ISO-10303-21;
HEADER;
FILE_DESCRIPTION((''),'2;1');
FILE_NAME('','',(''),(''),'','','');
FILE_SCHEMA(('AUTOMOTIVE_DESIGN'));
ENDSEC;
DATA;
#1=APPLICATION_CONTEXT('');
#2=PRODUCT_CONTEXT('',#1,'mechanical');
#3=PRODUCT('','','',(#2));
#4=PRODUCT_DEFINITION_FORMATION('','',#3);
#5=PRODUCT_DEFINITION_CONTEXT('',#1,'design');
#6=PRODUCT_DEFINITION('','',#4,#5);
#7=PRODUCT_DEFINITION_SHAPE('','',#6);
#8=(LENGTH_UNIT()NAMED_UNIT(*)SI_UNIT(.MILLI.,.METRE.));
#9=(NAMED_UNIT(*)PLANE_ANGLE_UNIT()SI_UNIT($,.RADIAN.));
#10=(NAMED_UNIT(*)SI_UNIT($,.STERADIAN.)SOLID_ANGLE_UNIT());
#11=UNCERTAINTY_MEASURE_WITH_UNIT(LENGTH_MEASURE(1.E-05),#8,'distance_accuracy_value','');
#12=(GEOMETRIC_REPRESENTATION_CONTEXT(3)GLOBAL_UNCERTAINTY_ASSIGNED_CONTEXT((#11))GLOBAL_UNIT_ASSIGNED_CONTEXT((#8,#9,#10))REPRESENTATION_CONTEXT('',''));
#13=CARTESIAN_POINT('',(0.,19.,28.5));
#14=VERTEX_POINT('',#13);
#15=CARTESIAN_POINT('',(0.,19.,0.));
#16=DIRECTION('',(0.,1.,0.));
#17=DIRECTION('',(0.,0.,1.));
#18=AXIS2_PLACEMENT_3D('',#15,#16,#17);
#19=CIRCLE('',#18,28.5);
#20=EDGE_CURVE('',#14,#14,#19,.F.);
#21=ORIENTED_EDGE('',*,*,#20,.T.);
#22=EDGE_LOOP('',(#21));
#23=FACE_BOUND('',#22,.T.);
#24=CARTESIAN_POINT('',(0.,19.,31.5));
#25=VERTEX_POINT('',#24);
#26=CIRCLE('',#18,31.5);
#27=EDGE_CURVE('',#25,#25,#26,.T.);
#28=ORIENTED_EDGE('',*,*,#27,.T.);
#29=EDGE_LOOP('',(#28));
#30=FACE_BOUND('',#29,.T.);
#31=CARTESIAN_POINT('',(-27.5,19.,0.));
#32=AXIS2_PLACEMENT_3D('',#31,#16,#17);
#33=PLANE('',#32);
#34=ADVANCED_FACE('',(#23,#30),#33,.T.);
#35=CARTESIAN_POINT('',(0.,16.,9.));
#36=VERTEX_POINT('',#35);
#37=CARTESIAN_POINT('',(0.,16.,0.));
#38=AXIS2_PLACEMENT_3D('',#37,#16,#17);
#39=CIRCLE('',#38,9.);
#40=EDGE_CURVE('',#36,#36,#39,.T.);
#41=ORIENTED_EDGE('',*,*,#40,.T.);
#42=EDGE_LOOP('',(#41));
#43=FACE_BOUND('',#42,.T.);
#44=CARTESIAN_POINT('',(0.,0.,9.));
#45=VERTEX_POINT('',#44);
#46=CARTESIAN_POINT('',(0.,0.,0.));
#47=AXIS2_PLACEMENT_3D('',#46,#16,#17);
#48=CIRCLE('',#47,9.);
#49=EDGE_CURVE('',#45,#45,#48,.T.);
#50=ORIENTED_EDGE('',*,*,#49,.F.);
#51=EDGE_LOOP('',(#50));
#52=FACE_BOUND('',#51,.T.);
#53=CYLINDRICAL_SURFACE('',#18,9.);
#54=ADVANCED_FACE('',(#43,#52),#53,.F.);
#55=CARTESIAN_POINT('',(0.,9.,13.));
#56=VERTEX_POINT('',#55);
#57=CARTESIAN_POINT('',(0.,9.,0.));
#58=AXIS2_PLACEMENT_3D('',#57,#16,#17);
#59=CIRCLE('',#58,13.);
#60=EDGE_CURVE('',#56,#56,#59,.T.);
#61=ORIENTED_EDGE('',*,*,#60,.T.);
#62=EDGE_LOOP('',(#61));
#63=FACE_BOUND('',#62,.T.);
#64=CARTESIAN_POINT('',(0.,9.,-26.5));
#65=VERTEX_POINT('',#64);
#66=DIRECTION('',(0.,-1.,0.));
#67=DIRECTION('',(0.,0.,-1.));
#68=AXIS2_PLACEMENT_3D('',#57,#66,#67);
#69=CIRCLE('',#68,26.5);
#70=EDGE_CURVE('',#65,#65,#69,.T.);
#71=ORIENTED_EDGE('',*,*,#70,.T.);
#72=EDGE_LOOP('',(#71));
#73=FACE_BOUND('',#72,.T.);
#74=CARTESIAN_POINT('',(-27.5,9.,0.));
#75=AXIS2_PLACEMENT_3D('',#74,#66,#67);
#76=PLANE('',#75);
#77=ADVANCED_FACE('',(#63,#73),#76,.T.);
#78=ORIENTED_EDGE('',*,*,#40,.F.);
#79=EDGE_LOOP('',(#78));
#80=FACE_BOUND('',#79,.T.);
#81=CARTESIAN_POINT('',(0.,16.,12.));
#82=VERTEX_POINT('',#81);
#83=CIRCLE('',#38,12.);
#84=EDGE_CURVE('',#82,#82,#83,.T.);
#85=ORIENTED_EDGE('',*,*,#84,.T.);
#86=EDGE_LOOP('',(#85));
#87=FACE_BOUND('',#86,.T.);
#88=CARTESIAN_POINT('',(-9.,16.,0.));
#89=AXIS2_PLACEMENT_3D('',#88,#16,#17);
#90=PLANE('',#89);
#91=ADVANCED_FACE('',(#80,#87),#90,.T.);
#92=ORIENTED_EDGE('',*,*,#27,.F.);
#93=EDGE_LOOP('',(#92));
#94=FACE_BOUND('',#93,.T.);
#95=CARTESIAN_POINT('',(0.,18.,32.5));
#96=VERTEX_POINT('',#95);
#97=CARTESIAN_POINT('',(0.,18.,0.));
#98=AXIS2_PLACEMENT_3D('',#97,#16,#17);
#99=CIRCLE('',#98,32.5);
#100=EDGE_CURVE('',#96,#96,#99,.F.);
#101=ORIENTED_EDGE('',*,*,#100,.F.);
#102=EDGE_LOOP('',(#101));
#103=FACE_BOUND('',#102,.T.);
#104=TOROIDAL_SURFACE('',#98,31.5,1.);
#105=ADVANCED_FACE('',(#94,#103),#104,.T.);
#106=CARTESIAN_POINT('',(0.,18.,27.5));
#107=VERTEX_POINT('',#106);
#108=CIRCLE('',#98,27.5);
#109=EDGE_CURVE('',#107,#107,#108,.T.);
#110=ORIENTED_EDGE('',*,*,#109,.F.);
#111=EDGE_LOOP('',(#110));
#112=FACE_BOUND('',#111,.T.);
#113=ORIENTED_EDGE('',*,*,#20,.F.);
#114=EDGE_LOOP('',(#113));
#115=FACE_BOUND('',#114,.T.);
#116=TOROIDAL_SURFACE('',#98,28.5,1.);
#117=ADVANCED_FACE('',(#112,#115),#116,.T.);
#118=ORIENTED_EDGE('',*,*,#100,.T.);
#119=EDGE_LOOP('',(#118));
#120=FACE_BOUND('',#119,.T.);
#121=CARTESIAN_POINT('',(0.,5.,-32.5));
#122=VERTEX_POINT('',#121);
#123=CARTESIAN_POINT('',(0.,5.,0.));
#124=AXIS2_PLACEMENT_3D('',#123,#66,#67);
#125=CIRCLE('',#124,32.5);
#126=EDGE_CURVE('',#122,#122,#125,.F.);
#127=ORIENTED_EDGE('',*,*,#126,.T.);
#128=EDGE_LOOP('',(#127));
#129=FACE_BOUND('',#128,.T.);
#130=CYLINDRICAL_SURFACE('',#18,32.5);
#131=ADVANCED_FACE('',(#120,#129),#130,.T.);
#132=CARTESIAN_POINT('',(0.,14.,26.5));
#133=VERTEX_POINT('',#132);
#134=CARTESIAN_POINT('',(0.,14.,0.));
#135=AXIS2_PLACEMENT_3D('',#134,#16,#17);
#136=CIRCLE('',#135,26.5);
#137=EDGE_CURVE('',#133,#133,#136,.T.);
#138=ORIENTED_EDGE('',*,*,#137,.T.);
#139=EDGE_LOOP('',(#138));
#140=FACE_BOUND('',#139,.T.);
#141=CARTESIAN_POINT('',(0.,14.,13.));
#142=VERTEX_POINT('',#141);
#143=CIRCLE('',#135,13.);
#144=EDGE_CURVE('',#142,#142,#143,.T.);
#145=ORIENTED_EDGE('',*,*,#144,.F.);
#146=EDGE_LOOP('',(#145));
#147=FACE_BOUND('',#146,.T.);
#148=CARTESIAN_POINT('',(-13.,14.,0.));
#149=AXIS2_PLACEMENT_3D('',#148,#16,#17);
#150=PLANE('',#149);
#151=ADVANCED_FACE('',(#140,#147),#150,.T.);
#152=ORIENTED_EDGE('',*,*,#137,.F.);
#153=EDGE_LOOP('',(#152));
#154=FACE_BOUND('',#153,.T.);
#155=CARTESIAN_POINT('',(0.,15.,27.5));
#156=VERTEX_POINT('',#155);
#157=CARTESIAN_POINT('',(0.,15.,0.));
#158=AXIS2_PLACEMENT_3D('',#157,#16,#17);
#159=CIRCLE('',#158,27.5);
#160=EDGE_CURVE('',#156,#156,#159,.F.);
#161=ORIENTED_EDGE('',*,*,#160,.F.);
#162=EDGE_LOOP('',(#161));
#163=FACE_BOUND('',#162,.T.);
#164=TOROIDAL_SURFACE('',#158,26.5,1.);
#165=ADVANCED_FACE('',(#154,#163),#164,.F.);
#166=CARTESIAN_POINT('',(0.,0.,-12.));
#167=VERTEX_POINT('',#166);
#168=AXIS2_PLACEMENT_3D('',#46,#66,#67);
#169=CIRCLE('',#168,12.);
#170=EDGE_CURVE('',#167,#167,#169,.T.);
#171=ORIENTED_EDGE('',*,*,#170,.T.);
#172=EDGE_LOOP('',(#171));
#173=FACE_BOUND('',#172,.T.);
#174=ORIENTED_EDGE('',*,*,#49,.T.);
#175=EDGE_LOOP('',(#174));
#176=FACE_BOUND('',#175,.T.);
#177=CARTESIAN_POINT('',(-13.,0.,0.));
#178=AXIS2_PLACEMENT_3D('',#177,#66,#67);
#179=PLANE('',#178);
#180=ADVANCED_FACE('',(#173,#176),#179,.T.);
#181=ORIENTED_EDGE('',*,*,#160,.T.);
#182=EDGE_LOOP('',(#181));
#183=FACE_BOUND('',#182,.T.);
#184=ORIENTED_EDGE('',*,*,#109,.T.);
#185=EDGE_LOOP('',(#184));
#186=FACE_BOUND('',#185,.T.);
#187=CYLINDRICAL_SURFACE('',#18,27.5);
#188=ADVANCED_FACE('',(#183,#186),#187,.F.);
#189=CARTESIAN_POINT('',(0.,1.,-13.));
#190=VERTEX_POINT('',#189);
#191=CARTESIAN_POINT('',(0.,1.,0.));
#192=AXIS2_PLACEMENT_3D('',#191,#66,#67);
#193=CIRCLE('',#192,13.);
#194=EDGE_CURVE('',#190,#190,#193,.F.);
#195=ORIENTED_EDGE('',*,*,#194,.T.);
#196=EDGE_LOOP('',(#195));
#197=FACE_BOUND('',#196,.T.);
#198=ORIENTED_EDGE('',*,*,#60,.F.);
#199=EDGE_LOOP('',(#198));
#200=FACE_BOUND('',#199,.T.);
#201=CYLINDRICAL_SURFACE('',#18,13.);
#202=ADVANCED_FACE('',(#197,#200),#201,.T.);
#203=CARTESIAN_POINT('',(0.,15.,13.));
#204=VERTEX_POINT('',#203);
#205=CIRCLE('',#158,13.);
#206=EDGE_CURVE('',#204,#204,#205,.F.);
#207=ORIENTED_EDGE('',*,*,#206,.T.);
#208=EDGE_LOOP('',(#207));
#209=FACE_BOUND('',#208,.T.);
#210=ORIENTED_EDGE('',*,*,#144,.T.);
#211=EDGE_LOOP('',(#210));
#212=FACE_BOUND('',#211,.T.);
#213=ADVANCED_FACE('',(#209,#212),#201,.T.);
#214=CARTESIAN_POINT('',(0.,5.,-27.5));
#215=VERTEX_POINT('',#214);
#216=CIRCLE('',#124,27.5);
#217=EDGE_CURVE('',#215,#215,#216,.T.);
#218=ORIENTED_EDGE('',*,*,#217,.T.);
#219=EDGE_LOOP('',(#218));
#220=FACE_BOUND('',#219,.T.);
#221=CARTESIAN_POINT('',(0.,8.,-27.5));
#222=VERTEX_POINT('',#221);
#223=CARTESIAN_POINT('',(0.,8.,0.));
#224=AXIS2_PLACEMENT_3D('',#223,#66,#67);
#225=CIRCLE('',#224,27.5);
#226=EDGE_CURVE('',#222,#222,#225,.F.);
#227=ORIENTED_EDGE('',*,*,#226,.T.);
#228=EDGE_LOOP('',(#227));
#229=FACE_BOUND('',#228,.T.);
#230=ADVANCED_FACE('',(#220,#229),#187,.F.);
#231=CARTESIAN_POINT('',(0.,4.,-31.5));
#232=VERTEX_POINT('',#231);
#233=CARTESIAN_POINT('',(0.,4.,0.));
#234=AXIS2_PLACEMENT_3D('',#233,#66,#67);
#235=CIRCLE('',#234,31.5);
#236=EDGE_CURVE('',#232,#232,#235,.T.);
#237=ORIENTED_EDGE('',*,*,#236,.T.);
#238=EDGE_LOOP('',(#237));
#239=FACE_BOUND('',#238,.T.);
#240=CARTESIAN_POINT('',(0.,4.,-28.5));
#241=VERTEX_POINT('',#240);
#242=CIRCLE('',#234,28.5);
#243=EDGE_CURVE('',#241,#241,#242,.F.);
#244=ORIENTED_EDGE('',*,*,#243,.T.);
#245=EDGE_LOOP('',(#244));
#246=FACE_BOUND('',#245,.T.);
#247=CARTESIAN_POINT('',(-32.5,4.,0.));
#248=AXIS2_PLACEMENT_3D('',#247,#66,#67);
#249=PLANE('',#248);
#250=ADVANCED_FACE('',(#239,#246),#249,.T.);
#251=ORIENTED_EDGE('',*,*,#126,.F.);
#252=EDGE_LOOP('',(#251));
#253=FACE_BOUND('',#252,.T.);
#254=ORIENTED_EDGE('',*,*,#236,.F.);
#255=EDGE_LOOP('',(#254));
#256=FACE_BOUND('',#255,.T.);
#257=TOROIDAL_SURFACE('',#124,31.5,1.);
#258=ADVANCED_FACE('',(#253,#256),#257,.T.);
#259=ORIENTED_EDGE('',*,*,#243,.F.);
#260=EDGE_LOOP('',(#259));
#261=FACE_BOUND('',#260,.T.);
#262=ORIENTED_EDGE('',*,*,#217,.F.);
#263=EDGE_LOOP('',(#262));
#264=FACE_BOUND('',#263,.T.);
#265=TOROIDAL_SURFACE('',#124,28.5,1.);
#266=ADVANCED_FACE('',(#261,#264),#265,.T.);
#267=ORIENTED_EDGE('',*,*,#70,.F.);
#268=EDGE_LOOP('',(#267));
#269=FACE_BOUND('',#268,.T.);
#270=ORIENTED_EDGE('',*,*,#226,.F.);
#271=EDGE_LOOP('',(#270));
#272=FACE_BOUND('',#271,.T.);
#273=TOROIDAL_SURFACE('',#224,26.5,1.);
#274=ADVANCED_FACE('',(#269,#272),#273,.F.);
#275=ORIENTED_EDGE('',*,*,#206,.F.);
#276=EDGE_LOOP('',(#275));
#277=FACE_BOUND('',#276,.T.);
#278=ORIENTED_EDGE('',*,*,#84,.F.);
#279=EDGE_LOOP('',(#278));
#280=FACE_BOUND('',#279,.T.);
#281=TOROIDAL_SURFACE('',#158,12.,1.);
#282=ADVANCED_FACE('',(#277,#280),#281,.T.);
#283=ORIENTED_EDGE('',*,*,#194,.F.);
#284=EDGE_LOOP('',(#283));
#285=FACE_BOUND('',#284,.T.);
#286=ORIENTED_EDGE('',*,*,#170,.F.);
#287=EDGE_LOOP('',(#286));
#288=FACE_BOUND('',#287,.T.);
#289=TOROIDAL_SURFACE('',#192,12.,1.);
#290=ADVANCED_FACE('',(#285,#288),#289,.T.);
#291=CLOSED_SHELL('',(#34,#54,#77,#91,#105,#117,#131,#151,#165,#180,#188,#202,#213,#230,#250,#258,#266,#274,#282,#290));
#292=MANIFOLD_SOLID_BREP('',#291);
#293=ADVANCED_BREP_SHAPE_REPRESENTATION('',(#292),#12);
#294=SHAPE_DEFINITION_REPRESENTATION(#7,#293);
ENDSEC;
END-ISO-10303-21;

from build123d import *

# Parameters (mm, degrees)
FILLET1_R = 1


with BuildPart() as part:
    # Sketch1 → Revolve1 (revolve)
    with BuildSketch(Plane.XY, mode=Mode.PRIVATE) as revolve1_sk:
        Polygon((-9, 16), (-13, 16), (-13, 14), (-27.5, 14), (-27.5, 19), (-32.5, 19), (-32.5, 4), (-27.5, 4), (-27.5, 9), (-13, 9), (-13, 0), (-9, 0), align=None)
    revolve(revolve1_sk.sketch.rotate(Axis((0, 19, 0), (0, -1, 0)), 270), axis=Axis((0, 19, 0), (0, -1, 0)))

    # Fillet1
    fillet1_edges = [part.edges().sort_by_distance(p)[0] for p in [
        (0, 4, -27.5),
        (0, 4, -32.5),
        (0, 19, -32.5),
        (0, 19, -27.5),
        (0, 14, -27.5),
        (0, 16, -13),
        (0, 0, -13),
        (0, 9, -27.5),
    ]]
    fillet(fillet1_edges, radius=FILLET1_R)


solid = part.part
